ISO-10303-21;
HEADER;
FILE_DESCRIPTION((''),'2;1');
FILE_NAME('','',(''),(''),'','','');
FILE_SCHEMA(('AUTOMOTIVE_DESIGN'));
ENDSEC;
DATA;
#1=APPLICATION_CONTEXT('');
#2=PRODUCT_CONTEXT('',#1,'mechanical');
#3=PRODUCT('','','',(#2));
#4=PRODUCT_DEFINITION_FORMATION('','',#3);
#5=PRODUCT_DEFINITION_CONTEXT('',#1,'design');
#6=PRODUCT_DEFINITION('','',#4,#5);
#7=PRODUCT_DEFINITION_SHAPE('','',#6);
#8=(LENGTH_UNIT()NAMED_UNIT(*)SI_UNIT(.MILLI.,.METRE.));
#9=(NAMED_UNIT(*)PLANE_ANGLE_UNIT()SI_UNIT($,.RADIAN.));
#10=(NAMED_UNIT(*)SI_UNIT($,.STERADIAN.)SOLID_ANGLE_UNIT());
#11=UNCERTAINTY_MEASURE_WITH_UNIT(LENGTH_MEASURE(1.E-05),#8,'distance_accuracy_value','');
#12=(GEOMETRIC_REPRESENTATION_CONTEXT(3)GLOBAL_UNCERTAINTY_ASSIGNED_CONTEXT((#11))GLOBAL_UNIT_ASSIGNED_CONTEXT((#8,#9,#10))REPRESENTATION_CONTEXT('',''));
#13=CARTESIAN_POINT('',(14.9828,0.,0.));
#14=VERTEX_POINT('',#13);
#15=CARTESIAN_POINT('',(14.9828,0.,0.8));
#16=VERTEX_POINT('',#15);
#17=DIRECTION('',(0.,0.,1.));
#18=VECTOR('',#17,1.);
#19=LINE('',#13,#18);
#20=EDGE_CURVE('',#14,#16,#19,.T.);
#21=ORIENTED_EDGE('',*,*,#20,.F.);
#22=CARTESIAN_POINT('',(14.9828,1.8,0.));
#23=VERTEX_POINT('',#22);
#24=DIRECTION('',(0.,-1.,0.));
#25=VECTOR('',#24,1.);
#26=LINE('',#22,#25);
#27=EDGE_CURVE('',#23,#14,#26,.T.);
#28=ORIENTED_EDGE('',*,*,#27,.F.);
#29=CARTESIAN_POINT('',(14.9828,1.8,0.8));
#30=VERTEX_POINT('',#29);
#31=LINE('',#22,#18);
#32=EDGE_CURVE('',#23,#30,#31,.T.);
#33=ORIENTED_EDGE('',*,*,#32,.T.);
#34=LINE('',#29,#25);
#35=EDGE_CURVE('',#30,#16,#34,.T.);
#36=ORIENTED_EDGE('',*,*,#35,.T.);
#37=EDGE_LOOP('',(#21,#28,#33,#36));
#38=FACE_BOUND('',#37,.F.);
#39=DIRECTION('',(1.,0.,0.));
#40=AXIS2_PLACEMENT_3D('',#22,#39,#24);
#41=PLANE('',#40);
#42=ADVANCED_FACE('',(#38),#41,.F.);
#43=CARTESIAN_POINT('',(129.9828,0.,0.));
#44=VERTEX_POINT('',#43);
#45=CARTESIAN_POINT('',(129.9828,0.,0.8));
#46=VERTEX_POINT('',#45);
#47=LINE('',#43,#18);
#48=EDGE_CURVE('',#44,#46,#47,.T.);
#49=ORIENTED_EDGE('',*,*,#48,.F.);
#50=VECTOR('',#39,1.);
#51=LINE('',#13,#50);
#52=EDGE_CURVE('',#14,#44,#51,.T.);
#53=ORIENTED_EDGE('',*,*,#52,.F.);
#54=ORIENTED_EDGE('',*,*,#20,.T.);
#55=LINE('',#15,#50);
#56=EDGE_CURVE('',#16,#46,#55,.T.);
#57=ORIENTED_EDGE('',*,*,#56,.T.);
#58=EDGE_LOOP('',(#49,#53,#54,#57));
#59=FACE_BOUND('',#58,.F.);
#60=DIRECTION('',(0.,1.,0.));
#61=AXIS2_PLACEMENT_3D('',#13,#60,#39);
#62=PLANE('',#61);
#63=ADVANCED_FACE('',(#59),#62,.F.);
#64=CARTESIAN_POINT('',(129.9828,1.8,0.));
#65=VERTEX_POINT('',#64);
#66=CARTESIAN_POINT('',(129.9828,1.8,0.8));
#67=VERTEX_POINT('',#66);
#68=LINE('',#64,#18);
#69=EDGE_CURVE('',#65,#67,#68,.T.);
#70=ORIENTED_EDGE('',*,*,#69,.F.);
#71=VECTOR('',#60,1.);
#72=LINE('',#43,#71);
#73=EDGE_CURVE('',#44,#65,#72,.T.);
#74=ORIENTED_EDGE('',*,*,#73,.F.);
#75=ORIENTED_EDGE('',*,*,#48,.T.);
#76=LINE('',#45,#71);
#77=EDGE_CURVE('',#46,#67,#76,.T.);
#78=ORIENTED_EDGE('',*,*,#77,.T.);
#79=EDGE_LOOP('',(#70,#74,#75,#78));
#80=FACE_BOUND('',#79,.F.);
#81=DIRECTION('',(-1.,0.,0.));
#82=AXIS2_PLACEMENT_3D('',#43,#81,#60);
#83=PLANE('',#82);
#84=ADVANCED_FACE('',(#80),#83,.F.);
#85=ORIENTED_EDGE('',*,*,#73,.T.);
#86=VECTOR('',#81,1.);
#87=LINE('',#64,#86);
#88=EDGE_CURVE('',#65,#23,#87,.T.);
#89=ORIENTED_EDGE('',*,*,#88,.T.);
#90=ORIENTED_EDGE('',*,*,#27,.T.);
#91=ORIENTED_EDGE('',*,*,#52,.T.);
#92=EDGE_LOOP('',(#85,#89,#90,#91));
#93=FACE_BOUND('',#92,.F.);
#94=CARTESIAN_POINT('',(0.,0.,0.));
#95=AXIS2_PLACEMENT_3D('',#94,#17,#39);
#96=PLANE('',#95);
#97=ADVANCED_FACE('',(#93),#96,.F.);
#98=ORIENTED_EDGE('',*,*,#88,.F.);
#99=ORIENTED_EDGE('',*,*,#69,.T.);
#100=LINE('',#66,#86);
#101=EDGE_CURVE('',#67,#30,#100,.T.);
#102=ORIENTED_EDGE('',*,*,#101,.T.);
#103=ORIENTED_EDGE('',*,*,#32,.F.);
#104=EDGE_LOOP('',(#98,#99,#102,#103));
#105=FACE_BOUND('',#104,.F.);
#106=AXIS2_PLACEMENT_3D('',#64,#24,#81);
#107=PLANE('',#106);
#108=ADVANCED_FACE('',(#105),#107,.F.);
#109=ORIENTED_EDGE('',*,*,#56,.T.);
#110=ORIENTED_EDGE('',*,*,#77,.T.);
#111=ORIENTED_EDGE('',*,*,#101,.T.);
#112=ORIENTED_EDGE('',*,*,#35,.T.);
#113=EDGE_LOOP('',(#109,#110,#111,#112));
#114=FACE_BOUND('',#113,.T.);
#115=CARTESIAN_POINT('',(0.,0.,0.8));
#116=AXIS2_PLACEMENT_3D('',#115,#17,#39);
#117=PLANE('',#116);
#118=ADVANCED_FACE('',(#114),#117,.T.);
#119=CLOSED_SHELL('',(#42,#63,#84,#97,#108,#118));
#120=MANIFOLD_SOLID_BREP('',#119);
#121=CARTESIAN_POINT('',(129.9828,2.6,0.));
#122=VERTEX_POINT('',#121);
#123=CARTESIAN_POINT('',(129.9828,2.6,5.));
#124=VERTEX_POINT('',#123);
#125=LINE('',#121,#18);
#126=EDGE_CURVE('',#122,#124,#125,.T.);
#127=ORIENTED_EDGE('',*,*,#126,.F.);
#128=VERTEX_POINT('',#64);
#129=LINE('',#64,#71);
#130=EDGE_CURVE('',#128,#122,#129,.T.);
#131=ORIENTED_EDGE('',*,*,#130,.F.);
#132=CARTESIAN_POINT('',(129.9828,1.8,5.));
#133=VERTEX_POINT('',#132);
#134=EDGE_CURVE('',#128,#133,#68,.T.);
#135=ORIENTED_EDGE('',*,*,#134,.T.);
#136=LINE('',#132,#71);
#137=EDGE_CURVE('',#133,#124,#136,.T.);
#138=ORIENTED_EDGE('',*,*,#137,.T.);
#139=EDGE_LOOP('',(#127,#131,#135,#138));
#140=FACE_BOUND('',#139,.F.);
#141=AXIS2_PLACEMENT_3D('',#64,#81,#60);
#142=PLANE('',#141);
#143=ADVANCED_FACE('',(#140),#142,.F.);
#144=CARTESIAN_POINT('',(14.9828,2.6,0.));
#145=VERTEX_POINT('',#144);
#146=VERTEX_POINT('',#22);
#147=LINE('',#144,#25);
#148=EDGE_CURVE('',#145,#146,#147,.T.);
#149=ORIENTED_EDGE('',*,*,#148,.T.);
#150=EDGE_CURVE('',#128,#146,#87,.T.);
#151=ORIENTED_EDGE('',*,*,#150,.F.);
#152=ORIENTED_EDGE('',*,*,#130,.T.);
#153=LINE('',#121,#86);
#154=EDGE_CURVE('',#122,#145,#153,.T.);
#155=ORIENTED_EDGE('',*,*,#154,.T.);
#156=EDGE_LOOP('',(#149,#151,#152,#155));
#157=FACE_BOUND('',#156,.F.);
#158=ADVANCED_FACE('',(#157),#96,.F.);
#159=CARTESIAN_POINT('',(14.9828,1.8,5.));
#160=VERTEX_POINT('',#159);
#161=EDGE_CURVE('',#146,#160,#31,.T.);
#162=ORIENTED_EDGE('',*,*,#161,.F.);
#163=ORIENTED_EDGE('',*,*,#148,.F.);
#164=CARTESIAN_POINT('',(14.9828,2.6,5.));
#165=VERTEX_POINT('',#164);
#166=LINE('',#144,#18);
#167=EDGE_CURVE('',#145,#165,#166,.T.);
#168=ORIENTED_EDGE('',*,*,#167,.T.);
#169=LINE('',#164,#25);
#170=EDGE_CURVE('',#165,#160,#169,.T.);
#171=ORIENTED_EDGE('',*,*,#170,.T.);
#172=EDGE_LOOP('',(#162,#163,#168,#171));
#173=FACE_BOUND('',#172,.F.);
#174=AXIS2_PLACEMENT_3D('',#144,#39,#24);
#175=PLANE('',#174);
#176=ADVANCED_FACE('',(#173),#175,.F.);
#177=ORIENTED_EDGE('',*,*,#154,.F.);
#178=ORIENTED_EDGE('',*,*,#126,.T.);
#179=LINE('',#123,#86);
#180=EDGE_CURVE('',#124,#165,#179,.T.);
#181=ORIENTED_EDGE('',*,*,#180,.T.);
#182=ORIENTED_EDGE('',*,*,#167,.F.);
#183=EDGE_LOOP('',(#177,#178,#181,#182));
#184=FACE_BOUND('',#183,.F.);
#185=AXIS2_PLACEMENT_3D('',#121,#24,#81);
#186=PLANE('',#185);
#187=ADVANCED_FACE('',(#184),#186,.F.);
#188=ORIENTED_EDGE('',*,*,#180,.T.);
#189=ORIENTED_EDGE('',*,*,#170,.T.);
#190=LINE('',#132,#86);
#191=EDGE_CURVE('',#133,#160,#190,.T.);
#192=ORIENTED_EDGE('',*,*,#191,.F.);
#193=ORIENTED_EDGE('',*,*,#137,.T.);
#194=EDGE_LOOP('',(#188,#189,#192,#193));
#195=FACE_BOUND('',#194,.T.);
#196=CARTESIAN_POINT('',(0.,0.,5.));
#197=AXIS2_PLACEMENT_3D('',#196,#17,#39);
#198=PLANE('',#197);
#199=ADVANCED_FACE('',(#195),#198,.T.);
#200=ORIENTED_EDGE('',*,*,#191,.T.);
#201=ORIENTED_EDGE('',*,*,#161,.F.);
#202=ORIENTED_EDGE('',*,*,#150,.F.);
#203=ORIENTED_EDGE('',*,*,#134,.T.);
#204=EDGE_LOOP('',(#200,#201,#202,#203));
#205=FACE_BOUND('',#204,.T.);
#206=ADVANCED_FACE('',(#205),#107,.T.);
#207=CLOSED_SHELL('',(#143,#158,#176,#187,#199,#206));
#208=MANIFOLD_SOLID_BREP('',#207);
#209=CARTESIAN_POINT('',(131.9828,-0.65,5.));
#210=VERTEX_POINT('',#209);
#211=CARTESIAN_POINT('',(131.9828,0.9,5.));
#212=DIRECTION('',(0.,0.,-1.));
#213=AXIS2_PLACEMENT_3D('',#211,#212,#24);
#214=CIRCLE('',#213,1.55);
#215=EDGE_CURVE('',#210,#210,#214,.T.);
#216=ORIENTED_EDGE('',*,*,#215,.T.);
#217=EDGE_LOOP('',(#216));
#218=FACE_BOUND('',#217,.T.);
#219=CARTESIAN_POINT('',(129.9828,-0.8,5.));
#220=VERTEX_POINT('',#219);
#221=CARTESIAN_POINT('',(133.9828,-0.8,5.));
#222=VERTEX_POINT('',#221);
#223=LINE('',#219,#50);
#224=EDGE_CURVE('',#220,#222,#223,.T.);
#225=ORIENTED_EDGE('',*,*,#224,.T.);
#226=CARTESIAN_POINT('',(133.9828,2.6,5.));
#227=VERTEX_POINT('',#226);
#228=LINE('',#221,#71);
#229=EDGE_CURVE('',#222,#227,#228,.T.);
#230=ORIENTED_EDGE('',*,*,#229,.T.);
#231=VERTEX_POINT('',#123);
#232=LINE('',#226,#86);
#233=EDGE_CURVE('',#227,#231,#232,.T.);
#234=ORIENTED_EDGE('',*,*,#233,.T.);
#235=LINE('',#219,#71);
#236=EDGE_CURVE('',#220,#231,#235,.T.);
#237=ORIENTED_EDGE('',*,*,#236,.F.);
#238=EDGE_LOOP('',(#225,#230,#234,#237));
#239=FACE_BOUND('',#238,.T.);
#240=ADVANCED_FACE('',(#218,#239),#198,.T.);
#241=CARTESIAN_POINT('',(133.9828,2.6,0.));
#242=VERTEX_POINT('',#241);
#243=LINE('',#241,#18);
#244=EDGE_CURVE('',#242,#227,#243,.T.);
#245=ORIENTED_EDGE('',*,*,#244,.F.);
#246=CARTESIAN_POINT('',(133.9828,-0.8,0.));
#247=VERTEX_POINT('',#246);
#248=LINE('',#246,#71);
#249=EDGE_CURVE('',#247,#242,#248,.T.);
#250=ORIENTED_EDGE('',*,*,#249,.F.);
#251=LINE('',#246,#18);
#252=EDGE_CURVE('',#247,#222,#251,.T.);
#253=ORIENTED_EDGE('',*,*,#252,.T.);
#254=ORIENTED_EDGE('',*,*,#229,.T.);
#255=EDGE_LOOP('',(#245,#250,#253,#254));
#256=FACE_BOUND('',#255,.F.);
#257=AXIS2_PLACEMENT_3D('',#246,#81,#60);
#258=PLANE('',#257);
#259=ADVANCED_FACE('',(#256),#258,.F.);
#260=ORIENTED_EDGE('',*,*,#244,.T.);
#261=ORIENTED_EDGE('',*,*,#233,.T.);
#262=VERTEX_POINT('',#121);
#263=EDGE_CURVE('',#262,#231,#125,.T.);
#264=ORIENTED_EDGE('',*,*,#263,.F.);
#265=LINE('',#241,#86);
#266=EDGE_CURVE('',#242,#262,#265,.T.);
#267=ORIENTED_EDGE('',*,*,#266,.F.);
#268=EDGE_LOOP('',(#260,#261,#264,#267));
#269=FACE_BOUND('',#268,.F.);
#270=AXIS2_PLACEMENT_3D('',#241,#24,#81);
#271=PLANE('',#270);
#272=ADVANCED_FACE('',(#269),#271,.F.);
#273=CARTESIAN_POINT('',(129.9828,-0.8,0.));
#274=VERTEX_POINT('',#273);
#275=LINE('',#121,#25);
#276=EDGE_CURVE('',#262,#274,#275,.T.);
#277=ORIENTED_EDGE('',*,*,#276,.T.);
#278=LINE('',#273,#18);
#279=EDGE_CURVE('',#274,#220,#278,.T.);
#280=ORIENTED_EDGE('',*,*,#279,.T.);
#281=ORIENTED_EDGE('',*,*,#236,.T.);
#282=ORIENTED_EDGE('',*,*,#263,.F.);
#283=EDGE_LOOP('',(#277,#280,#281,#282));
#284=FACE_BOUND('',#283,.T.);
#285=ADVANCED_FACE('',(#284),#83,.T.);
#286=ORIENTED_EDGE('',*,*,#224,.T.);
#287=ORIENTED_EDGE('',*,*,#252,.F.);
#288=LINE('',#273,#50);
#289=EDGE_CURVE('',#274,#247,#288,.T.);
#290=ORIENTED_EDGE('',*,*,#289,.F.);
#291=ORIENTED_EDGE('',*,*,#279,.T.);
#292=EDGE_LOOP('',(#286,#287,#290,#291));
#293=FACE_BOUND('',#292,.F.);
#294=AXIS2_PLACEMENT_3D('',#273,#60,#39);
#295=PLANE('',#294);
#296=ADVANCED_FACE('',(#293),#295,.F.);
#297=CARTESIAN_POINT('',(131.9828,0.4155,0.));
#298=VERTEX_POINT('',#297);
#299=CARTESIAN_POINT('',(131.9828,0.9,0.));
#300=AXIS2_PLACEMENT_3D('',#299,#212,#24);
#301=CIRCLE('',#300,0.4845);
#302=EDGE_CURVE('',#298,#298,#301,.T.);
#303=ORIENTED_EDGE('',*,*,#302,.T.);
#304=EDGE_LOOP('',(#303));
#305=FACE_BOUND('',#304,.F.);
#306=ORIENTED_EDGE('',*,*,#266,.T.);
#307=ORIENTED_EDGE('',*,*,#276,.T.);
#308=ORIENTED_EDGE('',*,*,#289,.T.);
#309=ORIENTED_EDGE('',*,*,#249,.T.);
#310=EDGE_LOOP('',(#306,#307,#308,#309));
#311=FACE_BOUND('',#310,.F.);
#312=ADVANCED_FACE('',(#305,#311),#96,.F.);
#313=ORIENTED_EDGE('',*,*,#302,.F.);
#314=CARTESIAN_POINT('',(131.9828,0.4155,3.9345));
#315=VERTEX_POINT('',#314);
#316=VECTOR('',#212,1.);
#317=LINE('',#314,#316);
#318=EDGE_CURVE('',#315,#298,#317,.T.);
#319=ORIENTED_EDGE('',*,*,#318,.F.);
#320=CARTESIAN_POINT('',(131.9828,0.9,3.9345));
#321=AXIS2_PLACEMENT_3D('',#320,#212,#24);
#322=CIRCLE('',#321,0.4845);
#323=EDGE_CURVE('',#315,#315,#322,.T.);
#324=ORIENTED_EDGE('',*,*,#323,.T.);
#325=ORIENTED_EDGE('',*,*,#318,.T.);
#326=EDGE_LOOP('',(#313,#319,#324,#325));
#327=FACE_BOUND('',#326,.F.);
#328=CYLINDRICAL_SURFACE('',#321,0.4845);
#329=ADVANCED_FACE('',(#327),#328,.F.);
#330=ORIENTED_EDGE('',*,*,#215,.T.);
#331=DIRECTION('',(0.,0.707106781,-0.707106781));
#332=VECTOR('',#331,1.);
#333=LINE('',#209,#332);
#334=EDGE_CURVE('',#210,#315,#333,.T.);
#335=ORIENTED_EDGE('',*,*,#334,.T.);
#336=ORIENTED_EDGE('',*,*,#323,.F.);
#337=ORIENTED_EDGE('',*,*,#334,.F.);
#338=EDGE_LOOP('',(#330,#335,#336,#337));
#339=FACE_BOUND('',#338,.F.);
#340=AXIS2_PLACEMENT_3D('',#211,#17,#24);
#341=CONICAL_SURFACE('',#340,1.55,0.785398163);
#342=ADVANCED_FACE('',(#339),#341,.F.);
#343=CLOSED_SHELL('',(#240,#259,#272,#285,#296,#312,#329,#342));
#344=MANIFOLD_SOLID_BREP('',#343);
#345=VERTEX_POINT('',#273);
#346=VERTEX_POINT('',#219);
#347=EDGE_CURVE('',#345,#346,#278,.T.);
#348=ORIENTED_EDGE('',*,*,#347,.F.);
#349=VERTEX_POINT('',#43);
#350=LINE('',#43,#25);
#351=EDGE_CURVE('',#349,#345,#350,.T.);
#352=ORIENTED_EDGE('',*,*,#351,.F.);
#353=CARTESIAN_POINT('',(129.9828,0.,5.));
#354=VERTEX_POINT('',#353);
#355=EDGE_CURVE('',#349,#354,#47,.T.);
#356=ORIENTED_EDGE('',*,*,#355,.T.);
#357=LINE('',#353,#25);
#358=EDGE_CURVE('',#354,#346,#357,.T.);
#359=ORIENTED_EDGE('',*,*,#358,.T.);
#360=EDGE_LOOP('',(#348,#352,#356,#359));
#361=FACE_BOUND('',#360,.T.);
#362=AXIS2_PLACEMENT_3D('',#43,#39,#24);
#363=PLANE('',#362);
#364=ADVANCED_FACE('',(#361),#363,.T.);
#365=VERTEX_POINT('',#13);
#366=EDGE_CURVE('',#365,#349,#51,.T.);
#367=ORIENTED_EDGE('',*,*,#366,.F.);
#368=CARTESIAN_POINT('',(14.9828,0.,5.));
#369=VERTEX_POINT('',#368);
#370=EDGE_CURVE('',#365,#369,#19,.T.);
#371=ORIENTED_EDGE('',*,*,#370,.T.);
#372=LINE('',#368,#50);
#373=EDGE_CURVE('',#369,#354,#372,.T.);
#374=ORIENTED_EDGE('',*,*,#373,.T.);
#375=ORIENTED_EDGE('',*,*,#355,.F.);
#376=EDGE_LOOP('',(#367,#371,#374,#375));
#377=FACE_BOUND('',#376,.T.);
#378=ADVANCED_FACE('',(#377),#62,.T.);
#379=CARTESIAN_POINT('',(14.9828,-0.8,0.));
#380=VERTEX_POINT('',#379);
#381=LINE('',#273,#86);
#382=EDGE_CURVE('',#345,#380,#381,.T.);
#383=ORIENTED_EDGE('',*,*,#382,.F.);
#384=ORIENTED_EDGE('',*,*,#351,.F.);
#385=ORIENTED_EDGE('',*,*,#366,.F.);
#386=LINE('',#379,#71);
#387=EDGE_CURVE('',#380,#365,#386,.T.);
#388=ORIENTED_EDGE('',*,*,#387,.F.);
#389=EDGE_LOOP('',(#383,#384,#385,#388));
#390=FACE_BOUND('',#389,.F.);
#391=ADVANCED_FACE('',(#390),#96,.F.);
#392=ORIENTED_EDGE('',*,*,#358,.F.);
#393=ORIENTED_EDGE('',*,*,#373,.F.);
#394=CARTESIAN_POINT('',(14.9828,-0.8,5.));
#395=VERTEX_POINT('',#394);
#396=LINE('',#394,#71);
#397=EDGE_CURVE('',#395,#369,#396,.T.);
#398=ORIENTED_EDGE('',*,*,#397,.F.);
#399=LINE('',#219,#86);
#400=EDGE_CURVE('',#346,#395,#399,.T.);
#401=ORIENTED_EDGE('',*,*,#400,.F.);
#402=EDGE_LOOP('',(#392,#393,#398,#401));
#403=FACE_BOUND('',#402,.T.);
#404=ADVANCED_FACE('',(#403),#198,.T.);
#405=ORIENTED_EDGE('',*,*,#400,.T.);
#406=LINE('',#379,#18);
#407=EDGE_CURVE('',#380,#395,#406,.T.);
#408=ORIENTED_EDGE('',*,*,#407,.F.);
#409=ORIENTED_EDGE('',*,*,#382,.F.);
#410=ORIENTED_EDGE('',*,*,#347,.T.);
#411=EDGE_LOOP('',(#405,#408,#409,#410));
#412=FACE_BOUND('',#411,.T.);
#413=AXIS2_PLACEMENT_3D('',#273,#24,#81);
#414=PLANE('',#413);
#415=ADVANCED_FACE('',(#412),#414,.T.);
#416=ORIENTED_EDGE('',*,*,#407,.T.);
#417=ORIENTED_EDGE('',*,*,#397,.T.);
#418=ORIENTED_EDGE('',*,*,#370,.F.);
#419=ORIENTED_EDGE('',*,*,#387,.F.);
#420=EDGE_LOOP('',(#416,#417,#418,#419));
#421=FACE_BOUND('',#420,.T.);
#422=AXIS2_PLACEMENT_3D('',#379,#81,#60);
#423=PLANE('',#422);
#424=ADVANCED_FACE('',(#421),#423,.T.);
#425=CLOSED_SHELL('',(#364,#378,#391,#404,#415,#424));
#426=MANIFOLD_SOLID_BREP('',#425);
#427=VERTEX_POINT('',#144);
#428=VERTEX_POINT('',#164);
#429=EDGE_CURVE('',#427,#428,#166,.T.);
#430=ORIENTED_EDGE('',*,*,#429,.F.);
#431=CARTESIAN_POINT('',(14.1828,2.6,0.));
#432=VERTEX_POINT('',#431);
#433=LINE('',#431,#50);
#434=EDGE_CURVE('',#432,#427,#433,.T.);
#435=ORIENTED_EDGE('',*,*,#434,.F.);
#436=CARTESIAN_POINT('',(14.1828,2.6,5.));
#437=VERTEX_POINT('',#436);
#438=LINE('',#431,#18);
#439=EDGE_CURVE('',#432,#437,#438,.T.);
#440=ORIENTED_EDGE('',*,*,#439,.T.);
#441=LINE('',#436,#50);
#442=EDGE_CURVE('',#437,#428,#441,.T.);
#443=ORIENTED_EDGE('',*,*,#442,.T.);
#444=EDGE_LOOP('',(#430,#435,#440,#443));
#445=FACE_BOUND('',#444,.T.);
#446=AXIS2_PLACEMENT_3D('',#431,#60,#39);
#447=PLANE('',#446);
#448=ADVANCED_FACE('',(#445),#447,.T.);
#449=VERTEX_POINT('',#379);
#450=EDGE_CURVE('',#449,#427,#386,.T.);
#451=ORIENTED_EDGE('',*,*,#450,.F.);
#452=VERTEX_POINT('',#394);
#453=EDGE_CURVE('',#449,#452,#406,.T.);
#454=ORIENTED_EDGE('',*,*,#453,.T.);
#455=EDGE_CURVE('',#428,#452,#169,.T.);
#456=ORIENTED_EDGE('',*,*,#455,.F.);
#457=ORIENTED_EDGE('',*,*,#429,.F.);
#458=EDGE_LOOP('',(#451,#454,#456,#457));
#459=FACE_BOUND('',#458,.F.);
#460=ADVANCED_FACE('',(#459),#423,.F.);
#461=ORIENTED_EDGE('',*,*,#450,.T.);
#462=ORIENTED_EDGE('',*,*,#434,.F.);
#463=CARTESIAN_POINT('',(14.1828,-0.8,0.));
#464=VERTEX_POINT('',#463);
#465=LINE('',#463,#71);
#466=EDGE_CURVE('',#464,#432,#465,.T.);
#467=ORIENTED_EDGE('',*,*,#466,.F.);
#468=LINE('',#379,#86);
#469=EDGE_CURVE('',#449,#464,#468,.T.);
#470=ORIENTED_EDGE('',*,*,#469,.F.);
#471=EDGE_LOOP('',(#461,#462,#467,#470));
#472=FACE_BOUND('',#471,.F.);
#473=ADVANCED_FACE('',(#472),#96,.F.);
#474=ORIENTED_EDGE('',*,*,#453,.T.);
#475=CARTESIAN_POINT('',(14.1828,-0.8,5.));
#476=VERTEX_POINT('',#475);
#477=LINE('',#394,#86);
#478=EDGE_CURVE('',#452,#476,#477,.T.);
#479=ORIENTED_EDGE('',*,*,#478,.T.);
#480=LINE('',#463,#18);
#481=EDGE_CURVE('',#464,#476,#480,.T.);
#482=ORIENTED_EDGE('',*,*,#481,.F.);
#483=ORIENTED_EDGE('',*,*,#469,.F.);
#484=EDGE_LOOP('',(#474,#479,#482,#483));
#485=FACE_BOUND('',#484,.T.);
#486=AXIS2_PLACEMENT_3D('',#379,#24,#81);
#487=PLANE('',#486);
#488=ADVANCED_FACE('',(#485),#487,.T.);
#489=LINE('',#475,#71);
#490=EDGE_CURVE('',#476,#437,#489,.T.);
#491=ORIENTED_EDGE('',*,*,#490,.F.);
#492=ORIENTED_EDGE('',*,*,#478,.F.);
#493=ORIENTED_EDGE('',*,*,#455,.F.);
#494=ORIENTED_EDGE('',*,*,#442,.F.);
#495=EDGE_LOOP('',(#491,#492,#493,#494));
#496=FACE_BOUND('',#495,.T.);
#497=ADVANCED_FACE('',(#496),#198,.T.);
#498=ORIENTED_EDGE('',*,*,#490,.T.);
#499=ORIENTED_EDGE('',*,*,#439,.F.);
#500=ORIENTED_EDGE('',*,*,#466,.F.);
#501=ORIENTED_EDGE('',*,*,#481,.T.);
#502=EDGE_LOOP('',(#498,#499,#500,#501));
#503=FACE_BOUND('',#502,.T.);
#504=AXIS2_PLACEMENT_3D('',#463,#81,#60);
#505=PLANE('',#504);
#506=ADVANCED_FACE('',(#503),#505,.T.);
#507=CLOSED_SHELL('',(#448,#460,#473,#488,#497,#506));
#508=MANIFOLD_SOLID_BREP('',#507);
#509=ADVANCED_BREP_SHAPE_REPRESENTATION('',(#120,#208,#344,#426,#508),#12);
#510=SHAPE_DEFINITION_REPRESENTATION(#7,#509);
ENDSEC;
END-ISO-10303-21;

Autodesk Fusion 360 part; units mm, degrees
sketch "Esquisse1" plane through (0, 0, 0) normal (0, 0, 1) x (1, 0, 0) in component "edge"
  line L0 (14.9828, 0) -> (129.9828, 0)
  line L1 (129.9828, 0) -> (129.9828, -0.8)
  line L2 (129.9828, -0.8) -> (14.9828, -0.8)
  line L3 (14.9828, -0.8) -> (14.9828, 0)
  line L4 (14.9828, 0) -> (129.9828, 0)
  line L5 (129.9828, 0) -> (129.9828, 1.8)
  line L6 (129.9828, 1.8) -> (14.9828, 1.8)
  line L7 (14.9828, 1.8) -> (14.9828, 0)
  line L8 (14.9828, 1.8) -> (129.9828, 1.8)
  line L9 (129.9828, 1.8) -> (129.9828, 2.6)
  line L10 (129.9828, 2.6) -> (14.9828, 2.6)
  line L11 (14.9828, 2.6) -> (14.9828, 1.8)
  line L12 (129.9828, -0.8) -> (133.9828, -0.8)
  line L13 (133.9828, -0.8) -> (133.9828, 2.6)
  line L14 (133.9828, 2.6) -> (129.9828, 2.6)
  line L15 (129.9828, 2.6) -> (129.9828, -0.8)
  line L16 (14.9828, -0.8) -> (14.1828, -0.8)
  line L17 (14.1828, -0.8) -> (14.1828, 2.6)
  line L18 (14.1828, 2.6) -> (14.9828, 2.6)
  line L19 (14.9828, 2.6) -> (14.9828, -0.8)
  line L20 (129.9828, -0.8) -> (133.9828, 2.6) construction
  line L21 (133.9828, -0.8) -> (129.9828, 2.6) construction
  circle A0 centre (131.9828, 0.9) radius 0.7
  dimension "EdgePhotoLen" = 115
  dimension "d2" = 0.8
  dimension "d3" = 1.8
  dimension "d4" = 115
  dimension "d5" = 0.8
  dimension "d10" = 4
  dimension "d11" = 0.8
  dimension "d14" = 1.4
extrude "Extrusion1" add sketch "Esquisse1" along normal blind 0.8 contours L0 L4 L5 L6 L7 L8 L15 L19 makes body 1 in component "edge"
extrude "Extrusion2" add sketch "Esquisse1" along normal blind 5 separate body contours L0 L1 L2 L3 L4 L15 L19 | L6 L8 L9 L10 L11 L15 L19 makes body 2 at (91.6495, 2.6, 1.6667) makes body 3 at (53.3161, 0, 1.6667) in component "edge"
extrude "Extrusion3" add sketch "Esquisse1" along normal blind 5 separate body contours L3 L7 L11 L16 L17 L18 L19 | L1 L5 L9 L12 L13 L14 L15 | A0 makes body 4 at (14.9828, 0.3333, 1.6667) makes body 5 at (132.6495, 2.6, 1.6667) in component "edge"
sketch "Esquisse3" plane through (0, 0, 5) normal (0, 0, 1) x (-1, 0, 0)
  line L0 (-129.9828, -2.6) -> (-129.9828, 0.8)
  line L1 (-129.9828, 0.8) -> (-133.9828, 0.8)
  line L2 (-133.9828, 0.8) -> (-133.9828, -2.6)
  line L3 (-133.9828, -2.6) -> (-129.9828, -2.6)
  line L4 (-129.9828, -2.6) -> (-133.9828, 0.8) construction
  line L5 (-129.9828, 0.8) -> (-133.9828, -2.6) construction
  point P0 (-131.9828, -0.9)
hole "Perçage2" at (131.9828, 0.9, 5) direction (0, 0, -1) diameter 0.969 depth 8 tip angle 180 countersink diameter 3.1 countersink angle 90 bodies 5 in component "edge"
component "edge" placed x (1, 0, 0) y (0, 1, 0) z (0, 0, 1) at (0, 0, 0)
equation "d4 = EdgePhotoLen"
